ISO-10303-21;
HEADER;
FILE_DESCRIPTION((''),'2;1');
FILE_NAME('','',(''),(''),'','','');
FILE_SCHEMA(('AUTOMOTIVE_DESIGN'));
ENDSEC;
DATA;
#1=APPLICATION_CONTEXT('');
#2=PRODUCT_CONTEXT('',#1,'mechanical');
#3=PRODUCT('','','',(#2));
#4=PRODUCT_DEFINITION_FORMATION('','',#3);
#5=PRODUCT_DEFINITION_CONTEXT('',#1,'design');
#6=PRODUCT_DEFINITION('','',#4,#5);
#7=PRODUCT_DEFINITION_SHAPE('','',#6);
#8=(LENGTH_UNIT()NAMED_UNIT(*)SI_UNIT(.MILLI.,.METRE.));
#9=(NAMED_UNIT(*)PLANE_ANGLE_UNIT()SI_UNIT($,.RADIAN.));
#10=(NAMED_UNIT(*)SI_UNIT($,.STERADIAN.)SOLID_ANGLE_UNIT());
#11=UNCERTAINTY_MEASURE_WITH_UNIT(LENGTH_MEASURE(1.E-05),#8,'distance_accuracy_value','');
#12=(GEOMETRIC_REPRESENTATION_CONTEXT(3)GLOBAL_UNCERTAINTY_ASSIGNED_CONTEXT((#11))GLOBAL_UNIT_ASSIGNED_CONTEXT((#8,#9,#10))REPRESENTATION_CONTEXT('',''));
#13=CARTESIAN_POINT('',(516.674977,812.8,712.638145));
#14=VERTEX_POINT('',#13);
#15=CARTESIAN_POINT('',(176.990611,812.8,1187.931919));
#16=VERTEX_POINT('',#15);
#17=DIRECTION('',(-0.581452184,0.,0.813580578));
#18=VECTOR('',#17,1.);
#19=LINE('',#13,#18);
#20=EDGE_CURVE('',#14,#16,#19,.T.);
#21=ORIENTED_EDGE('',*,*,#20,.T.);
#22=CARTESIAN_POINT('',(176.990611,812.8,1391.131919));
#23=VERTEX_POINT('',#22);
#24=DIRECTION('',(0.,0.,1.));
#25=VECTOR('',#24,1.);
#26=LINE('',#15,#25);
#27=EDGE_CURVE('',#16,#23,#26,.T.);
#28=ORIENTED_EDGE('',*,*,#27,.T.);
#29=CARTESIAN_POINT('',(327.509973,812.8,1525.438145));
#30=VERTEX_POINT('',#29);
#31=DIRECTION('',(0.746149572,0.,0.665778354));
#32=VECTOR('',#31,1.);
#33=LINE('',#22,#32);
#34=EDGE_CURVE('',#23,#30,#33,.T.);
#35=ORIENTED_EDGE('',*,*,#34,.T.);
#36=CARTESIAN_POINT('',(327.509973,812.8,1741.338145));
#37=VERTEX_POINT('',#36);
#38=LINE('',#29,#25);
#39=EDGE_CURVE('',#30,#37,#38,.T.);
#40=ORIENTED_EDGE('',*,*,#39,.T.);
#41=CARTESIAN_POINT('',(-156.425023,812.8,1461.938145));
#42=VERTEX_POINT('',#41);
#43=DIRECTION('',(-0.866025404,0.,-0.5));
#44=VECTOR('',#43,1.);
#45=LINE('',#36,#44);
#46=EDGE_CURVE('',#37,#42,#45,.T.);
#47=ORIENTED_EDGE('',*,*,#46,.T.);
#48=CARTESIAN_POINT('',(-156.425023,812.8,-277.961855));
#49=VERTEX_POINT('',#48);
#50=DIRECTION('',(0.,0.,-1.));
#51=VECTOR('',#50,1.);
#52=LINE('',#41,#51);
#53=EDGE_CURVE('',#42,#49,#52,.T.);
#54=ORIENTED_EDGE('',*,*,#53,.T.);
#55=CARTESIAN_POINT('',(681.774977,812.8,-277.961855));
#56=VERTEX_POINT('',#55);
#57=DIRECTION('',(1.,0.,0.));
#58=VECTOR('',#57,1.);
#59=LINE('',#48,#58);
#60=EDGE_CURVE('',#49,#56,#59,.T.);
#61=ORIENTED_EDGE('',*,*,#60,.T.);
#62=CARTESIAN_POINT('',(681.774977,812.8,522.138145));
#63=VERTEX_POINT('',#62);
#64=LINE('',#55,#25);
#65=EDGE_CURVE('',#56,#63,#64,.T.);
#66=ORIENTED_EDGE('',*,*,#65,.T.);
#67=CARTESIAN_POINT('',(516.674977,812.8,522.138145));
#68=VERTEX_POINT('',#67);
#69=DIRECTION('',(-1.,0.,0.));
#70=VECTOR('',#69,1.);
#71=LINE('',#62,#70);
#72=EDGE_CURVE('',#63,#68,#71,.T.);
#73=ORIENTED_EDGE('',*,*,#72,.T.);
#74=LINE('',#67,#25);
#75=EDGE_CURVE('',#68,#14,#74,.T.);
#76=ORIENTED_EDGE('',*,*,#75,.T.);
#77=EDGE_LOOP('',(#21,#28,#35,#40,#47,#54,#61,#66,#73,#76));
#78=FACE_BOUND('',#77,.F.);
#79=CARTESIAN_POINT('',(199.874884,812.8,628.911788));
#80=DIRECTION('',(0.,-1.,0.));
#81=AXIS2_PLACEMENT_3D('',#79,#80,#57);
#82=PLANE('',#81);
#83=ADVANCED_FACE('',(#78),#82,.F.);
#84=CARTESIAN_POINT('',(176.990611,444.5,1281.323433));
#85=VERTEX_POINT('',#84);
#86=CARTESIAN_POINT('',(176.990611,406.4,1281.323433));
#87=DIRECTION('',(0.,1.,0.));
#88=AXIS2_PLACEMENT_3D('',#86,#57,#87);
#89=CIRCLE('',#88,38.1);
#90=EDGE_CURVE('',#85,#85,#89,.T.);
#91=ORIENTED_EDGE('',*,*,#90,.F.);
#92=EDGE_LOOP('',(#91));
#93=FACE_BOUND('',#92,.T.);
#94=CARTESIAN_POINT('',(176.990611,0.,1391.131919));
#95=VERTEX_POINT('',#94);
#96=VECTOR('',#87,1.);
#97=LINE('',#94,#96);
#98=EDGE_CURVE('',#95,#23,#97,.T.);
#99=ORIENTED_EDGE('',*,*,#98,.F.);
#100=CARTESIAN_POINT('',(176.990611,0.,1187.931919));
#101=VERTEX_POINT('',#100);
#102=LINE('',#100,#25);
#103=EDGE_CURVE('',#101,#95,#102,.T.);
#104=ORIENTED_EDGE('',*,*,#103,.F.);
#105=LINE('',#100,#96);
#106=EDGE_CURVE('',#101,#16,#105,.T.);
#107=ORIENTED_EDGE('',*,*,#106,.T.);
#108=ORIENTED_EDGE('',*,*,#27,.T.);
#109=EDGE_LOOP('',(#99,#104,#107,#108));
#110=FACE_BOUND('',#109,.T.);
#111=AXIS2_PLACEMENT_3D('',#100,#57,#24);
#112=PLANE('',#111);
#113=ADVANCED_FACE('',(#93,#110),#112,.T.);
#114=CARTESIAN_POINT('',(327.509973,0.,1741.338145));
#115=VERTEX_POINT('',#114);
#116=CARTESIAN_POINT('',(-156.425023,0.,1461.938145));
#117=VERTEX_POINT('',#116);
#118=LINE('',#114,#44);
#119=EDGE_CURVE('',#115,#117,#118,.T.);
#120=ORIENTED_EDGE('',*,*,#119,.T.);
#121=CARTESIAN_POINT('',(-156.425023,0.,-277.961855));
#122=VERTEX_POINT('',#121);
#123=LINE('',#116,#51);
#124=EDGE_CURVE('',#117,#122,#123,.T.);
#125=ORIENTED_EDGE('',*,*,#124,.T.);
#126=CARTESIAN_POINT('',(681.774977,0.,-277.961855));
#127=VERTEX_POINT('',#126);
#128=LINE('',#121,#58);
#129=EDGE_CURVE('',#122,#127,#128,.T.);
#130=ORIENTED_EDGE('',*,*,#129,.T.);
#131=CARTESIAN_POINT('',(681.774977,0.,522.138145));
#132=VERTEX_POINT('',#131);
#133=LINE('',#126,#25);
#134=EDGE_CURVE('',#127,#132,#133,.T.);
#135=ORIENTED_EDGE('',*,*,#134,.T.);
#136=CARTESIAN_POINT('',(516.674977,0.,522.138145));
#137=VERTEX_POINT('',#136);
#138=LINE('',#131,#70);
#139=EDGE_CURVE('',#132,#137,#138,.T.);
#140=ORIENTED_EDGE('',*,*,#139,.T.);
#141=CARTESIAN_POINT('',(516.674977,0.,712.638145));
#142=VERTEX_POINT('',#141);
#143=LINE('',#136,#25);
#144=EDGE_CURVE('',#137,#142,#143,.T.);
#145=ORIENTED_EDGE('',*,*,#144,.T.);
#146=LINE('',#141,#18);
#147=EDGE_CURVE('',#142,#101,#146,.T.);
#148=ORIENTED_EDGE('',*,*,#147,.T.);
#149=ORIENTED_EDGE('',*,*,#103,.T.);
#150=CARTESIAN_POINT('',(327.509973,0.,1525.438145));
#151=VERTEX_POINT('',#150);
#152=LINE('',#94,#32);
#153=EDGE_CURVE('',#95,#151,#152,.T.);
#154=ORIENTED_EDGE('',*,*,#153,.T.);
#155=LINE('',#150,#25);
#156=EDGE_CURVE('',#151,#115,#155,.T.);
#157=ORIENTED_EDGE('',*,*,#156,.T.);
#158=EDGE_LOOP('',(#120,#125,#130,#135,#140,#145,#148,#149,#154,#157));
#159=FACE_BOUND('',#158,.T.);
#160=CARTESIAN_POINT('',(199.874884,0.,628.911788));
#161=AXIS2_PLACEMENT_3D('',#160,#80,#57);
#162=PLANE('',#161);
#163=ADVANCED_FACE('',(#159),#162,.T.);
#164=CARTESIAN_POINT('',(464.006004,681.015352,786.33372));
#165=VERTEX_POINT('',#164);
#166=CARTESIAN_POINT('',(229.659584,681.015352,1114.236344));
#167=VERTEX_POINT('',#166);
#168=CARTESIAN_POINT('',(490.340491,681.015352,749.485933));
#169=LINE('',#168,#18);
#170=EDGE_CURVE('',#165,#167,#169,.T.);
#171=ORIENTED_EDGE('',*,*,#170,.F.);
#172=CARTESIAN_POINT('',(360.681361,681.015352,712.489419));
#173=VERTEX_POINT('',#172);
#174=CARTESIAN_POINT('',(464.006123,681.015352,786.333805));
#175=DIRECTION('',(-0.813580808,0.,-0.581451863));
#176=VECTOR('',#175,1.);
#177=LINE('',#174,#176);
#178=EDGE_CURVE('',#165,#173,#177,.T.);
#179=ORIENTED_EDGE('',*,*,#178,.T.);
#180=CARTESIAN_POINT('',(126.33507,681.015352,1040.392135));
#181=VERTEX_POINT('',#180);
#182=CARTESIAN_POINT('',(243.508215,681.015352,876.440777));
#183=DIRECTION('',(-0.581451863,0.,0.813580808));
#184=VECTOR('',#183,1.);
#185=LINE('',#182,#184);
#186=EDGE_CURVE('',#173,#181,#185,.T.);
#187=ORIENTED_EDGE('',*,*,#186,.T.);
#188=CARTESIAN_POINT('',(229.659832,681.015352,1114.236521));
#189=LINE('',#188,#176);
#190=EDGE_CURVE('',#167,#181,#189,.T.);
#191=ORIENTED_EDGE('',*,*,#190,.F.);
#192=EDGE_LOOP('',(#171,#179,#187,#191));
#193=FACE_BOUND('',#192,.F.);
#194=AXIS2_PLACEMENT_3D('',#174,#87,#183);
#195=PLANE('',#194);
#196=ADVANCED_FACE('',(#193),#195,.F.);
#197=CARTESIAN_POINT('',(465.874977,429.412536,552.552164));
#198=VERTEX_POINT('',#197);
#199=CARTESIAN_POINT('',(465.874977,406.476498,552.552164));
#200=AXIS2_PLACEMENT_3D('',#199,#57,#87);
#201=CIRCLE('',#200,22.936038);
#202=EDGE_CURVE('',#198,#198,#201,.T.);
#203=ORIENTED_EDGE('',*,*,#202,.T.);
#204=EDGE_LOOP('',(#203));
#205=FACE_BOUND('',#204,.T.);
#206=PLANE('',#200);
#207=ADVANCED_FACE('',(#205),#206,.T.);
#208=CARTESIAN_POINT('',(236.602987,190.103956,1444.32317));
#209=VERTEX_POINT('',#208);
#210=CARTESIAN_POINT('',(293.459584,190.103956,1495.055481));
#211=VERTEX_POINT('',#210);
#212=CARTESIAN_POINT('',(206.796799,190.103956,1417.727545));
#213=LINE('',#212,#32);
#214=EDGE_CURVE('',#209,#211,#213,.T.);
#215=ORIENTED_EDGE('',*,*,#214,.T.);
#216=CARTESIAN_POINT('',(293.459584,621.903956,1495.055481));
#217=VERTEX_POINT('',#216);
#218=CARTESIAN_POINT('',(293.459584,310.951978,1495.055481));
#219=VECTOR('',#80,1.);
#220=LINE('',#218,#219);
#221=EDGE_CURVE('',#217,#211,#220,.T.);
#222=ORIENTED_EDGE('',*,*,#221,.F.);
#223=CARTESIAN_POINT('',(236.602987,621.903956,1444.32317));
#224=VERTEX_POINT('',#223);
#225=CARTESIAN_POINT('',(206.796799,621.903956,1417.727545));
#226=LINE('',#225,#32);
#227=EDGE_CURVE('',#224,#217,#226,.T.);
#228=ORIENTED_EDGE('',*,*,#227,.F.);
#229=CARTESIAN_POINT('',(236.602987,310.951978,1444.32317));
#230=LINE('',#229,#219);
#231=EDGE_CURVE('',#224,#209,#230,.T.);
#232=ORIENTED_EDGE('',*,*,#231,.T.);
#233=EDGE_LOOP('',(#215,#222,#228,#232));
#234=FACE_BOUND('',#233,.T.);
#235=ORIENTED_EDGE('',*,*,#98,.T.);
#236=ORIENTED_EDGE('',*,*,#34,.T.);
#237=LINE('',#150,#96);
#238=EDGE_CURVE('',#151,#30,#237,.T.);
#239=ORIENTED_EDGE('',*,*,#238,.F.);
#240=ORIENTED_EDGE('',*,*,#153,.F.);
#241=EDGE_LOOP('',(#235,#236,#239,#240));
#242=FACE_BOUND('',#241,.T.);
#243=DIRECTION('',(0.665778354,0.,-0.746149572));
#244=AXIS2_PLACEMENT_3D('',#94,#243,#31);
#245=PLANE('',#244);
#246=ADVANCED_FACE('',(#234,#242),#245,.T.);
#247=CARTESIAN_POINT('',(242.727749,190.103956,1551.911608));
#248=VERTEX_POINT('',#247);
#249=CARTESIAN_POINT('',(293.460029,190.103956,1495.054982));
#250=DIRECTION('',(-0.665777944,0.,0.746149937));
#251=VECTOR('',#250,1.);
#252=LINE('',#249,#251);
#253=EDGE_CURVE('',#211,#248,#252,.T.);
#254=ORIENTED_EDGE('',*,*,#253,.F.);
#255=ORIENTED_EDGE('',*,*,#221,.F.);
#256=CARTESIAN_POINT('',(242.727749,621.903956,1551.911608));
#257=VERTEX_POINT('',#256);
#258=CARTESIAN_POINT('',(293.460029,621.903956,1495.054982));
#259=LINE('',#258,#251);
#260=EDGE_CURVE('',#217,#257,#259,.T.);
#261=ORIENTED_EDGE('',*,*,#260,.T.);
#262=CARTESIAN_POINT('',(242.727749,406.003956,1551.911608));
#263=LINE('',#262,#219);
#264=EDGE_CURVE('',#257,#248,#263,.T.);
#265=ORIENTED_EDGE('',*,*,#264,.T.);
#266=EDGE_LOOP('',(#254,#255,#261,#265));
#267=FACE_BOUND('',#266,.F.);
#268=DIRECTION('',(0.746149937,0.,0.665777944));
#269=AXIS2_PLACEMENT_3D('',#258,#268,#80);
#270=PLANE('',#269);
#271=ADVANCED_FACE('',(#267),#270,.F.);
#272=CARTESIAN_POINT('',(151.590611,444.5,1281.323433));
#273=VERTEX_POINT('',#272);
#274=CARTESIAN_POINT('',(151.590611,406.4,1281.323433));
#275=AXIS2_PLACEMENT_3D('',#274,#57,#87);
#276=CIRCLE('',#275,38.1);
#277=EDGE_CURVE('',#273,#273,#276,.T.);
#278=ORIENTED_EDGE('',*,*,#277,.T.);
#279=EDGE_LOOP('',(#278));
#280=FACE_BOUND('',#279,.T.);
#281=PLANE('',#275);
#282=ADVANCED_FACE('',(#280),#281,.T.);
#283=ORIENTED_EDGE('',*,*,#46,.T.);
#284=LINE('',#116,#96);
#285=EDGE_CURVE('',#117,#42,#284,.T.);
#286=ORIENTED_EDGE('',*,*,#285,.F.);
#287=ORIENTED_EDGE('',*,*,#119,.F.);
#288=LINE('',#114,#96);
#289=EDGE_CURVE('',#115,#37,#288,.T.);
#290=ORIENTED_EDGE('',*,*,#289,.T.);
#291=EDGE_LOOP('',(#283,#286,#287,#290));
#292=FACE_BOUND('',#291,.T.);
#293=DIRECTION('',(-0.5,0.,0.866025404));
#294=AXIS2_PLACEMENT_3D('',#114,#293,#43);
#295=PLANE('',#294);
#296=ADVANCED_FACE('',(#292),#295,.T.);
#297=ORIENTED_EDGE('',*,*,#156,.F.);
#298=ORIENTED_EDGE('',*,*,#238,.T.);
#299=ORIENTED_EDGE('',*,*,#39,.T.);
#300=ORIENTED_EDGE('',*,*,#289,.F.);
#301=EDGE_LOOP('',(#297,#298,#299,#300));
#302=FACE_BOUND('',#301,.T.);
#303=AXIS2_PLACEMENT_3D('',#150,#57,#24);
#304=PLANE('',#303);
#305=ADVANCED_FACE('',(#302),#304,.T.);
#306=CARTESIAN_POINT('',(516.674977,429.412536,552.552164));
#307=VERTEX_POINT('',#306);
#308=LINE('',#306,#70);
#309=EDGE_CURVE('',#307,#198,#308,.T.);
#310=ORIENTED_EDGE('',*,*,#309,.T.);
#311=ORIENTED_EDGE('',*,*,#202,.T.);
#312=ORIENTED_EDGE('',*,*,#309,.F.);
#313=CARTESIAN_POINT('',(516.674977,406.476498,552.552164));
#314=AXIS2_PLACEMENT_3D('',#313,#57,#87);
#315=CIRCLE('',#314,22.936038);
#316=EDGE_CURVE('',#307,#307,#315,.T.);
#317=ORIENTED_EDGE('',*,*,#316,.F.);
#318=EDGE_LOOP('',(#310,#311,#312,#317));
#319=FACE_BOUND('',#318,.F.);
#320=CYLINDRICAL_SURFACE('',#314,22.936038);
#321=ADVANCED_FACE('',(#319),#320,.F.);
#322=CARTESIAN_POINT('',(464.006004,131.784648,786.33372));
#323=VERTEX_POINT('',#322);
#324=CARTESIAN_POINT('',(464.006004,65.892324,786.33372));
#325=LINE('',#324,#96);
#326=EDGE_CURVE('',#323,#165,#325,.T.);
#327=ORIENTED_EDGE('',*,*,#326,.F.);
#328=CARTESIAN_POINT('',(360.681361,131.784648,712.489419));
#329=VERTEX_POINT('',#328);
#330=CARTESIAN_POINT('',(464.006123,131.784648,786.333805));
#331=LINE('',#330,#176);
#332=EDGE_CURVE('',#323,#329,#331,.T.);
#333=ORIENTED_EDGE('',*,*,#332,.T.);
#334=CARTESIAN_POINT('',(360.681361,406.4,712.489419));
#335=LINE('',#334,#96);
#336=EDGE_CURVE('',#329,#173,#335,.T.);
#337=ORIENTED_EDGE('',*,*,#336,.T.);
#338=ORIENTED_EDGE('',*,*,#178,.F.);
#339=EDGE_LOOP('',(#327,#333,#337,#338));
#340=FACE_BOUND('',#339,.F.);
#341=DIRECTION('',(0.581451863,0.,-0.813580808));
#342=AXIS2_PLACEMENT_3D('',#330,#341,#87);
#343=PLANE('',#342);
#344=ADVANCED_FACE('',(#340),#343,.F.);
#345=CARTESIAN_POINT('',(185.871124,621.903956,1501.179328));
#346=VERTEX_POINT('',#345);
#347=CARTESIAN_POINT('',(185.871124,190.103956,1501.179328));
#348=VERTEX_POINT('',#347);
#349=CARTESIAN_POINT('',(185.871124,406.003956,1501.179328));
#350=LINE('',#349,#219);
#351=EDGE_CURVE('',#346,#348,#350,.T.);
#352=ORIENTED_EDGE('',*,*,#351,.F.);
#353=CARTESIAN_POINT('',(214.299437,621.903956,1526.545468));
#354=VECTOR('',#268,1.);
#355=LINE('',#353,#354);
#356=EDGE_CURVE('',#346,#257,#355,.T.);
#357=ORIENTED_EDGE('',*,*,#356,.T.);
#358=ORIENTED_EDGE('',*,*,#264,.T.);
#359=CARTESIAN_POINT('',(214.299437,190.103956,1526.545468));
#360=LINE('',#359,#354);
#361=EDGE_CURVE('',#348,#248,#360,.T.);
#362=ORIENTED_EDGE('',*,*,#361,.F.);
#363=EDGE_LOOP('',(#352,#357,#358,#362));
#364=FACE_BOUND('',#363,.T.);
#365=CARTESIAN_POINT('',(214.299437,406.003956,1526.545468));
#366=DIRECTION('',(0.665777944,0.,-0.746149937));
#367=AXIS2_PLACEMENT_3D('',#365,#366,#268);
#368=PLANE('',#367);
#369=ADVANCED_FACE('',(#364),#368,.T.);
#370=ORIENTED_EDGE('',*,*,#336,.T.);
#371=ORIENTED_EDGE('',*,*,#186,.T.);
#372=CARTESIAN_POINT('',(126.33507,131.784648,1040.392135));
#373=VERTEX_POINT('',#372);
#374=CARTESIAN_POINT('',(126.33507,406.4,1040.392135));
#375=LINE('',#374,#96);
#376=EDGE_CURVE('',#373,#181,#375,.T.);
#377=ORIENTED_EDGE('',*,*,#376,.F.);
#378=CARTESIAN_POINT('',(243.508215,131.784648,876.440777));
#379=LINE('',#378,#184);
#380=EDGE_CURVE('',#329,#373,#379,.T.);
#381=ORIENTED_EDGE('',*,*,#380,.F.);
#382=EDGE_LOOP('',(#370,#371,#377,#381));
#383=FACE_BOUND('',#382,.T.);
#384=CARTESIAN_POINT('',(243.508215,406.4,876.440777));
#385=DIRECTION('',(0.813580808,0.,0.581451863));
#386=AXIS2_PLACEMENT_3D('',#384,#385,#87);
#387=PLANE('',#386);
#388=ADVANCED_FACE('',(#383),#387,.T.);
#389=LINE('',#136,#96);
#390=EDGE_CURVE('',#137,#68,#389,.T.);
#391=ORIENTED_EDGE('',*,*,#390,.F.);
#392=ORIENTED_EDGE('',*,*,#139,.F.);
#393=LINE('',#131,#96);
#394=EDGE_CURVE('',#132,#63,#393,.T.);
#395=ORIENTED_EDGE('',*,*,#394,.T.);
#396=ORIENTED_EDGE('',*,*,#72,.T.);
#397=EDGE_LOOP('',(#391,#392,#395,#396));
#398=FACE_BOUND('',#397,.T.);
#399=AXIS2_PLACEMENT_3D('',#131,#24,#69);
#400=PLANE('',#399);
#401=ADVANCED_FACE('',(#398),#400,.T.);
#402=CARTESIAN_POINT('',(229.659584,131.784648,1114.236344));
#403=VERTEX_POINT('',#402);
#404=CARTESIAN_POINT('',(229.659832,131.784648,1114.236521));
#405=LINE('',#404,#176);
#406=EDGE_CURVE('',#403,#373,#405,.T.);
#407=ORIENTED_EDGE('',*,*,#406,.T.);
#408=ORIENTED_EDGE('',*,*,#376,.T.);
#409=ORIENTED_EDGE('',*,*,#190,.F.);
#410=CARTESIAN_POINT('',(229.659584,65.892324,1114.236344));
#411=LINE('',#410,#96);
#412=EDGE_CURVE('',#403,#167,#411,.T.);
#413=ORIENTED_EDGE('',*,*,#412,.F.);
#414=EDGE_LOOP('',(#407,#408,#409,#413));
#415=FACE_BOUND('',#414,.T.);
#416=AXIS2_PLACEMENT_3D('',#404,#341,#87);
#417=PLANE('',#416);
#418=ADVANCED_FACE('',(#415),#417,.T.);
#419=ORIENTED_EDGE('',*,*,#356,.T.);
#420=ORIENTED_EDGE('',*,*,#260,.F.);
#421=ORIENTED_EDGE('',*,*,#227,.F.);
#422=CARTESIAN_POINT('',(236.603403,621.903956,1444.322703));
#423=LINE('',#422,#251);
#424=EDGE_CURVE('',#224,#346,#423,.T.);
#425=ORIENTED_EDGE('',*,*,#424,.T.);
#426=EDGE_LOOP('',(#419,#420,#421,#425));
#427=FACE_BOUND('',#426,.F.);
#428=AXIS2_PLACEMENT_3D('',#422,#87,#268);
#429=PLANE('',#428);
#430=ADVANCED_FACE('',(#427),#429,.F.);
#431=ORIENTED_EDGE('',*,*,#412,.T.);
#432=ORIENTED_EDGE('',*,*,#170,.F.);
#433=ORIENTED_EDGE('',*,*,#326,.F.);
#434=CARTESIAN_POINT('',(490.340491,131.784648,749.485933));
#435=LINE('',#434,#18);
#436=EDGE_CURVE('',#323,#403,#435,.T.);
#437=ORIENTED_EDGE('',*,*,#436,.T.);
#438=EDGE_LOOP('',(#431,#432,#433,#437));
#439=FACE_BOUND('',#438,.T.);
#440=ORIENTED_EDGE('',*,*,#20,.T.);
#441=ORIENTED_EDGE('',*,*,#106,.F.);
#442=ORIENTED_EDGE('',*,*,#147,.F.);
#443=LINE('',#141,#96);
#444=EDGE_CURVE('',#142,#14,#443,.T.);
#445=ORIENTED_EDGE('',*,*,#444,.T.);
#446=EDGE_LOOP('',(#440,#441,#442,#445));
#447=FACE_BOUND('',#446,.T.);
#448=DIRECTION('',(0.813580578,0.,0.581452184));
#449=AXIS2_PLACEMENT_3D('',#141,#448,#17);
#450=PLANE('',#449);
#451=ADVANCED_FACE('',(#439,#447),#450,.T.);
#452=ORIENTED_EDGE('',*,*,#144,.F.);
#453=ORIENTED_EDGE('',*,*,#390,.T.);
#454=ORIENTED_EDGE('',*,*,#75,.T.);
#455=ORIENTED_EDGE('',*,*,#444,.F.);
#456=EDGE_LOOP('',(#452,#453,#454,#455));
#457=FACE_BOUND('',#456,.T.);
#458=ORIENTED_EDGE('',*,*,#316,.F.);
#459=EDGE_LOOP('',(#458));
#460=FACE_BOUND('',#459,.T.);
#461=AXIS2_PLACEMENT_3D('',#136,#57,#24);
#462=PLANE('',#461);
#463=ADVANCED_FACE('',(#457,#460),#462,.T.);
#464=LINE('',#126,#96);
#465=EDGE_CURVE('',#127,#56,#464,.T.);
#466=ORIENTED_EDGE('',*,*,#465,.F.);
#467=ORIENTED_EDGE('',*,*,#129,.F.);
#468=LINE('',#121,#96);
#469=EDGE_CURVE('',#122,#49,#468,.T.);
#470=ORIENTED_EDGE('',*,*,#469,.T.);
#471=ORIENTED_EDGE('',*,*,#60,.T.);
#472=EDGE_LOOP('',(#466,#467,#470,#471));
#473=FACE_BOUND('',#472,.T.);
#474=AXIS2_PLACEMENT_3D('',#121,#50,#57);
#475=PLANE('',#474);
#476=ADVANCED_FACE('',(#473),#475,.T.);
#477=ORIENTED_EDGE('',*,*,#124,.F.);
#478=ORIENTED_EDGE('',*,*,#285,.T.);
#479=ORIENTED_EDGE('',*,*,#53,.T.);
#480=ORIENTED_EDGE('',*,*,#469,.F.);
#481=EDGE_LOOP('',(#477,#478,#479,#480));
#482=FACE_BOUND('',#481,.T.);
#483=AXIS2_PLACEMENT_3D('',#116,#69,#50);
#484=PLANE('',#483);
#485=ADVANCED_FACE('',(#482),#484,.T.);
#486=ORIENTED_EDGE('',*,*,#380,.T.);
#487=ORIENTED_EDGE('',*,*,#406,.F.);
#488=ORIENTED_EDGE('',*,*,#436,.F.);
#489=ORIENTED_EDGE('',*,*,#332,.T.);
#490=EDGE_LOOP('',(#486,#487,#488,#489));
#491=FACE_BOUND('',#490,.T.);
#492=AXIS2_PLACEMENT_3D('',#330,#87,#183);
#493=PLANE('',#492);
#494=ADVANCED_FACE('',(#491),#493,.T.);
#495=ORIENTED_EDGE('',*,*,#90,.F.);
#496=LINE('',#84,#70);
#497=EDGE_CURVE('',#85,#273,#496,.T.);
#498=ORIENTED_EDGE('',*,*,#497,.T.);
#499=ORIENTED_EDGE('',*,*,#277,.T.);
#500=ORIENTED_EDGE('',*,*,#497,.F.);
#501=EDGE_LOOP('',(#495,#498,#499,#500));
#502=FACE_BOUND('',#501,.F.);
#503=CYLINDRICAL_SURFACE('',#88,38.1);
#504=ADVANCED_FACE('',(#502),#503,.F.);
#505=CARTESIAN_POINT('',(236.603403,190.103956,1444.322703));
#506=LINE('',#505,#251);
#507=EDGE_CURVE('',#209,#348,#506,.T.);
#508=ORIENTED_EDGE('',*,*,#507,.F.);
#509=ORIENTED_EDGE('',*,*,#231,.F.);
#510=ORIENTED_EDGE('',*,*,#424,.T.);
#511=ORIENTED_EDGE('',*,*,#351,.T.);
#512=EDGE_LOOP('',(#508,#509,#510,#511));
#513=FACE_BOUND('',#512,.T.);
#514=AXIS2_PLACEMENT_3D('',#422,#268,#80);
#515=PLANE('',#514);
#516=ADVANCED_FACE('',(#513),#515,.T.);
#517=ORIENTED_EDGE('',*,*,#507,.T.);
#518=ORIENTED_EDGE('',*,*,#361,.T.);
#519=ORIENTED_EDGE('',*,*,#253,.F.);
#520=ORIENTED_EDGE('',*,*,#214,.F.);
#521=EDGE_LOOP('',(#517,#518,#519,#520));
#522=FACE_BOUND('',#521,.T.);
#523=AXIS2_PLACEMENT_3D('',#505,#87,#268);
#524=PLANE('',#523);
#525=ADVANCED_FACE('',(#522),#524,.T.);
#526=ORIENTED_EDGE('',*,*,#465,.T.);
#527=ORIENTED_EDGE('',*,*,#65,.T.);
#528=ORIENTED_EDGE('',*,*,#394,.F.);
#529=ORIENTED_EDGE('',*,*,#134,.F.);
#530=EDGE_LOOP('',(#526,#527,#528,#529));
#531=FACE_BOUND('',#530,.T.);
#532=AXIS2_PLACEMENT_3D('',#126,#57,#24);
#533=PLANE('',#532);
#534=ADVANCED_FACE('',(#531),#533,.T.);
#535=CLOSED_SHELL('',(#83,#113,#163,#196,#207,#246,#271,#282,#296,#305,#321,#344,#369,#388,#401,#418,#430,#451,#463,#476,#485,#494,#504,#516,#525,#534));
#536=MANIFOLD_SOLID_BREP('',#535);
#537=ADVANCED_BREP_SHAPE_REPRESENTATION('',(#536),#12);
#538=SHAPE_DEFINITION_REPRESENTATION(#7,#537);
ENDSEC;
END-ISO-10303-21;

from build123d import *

# Parameters (mm, degrees)
F1_DEPTH = 812.8
F2_W     = 76.2
F2_H     = 431.8
F3_DEPTH = 76.2
F4_W     = 549.230704
F4_H     = 403.036444
F5_DEPTH = 127
F6_R     = 38.1
F7_DEPTH = 25.4
F8_R     = 22.936038
F9_DEPTH = 50.8


with BuildPart() as f1:
    # F0 (on Front) → F1 (new body)
    with BuildSketch(Plane.XZ):
        Polygon((327.509973, 1525.438145), (327.509973, 1741.338145), (-156.425023, 1461.938145), (-156.425023, -277.961855), (681.774977, -277.961855), (681.774977, 522.138145), (516.674977, 522.138145), (516.674977, 712.638145), (176.990611, 1187.931919), (176.990611, 1391.131919), align=None)
    extrude(amount=-F1_DEPTH)

    # F2 (on face) → F3 (cut)
    with BuildSketch(Plane(origin=(-612.619926, 0, 686.57398), x_dir=(0.74615, 0, 0.665778), z_dir=(0.665778, 0, -0.74615))):
        with Locations((1176.240321, -406.003956)):
            Rectangle(F2_W, F2_H)
    extrude(amount=-F3_DEPTH, mode=Mode.SUBTRACT)

    # F4 (on face) → F5 (cut)
    with BuildSketch(Plane(origin=(679.11339, 0, 485.350775), x_dir=(0, 1, 0), z_dir=(0.813581, 0, 0.581452))):
        with Locations((406.4, 571.46676)):
            Rectangle(F4_W, F4_H)
    extrude(amount=-F5_DEPTH, mode=Mode.SUBTRACT)

    # F6 (on face) → F7 (cut)
    with BuildSketch(Plane.YZ.offset(176.990611)):
        with Locations((406.4, 1281.323433)):
            Circle(F6_R)
    extrude(amount=-F7_DEPTH, mode=Mode.SUBTRACT)

    # F8 (on face) → F9 (cut)
    with BuildSketch(Plane.YZ.offset(516.674977)):
        with Locations((406.476498, 552.552164)):
            Circle(F8_R)
    extrude(amount=-F9_DEPTH, mode=Mode.SUBTRACT)


solid = f1.part
